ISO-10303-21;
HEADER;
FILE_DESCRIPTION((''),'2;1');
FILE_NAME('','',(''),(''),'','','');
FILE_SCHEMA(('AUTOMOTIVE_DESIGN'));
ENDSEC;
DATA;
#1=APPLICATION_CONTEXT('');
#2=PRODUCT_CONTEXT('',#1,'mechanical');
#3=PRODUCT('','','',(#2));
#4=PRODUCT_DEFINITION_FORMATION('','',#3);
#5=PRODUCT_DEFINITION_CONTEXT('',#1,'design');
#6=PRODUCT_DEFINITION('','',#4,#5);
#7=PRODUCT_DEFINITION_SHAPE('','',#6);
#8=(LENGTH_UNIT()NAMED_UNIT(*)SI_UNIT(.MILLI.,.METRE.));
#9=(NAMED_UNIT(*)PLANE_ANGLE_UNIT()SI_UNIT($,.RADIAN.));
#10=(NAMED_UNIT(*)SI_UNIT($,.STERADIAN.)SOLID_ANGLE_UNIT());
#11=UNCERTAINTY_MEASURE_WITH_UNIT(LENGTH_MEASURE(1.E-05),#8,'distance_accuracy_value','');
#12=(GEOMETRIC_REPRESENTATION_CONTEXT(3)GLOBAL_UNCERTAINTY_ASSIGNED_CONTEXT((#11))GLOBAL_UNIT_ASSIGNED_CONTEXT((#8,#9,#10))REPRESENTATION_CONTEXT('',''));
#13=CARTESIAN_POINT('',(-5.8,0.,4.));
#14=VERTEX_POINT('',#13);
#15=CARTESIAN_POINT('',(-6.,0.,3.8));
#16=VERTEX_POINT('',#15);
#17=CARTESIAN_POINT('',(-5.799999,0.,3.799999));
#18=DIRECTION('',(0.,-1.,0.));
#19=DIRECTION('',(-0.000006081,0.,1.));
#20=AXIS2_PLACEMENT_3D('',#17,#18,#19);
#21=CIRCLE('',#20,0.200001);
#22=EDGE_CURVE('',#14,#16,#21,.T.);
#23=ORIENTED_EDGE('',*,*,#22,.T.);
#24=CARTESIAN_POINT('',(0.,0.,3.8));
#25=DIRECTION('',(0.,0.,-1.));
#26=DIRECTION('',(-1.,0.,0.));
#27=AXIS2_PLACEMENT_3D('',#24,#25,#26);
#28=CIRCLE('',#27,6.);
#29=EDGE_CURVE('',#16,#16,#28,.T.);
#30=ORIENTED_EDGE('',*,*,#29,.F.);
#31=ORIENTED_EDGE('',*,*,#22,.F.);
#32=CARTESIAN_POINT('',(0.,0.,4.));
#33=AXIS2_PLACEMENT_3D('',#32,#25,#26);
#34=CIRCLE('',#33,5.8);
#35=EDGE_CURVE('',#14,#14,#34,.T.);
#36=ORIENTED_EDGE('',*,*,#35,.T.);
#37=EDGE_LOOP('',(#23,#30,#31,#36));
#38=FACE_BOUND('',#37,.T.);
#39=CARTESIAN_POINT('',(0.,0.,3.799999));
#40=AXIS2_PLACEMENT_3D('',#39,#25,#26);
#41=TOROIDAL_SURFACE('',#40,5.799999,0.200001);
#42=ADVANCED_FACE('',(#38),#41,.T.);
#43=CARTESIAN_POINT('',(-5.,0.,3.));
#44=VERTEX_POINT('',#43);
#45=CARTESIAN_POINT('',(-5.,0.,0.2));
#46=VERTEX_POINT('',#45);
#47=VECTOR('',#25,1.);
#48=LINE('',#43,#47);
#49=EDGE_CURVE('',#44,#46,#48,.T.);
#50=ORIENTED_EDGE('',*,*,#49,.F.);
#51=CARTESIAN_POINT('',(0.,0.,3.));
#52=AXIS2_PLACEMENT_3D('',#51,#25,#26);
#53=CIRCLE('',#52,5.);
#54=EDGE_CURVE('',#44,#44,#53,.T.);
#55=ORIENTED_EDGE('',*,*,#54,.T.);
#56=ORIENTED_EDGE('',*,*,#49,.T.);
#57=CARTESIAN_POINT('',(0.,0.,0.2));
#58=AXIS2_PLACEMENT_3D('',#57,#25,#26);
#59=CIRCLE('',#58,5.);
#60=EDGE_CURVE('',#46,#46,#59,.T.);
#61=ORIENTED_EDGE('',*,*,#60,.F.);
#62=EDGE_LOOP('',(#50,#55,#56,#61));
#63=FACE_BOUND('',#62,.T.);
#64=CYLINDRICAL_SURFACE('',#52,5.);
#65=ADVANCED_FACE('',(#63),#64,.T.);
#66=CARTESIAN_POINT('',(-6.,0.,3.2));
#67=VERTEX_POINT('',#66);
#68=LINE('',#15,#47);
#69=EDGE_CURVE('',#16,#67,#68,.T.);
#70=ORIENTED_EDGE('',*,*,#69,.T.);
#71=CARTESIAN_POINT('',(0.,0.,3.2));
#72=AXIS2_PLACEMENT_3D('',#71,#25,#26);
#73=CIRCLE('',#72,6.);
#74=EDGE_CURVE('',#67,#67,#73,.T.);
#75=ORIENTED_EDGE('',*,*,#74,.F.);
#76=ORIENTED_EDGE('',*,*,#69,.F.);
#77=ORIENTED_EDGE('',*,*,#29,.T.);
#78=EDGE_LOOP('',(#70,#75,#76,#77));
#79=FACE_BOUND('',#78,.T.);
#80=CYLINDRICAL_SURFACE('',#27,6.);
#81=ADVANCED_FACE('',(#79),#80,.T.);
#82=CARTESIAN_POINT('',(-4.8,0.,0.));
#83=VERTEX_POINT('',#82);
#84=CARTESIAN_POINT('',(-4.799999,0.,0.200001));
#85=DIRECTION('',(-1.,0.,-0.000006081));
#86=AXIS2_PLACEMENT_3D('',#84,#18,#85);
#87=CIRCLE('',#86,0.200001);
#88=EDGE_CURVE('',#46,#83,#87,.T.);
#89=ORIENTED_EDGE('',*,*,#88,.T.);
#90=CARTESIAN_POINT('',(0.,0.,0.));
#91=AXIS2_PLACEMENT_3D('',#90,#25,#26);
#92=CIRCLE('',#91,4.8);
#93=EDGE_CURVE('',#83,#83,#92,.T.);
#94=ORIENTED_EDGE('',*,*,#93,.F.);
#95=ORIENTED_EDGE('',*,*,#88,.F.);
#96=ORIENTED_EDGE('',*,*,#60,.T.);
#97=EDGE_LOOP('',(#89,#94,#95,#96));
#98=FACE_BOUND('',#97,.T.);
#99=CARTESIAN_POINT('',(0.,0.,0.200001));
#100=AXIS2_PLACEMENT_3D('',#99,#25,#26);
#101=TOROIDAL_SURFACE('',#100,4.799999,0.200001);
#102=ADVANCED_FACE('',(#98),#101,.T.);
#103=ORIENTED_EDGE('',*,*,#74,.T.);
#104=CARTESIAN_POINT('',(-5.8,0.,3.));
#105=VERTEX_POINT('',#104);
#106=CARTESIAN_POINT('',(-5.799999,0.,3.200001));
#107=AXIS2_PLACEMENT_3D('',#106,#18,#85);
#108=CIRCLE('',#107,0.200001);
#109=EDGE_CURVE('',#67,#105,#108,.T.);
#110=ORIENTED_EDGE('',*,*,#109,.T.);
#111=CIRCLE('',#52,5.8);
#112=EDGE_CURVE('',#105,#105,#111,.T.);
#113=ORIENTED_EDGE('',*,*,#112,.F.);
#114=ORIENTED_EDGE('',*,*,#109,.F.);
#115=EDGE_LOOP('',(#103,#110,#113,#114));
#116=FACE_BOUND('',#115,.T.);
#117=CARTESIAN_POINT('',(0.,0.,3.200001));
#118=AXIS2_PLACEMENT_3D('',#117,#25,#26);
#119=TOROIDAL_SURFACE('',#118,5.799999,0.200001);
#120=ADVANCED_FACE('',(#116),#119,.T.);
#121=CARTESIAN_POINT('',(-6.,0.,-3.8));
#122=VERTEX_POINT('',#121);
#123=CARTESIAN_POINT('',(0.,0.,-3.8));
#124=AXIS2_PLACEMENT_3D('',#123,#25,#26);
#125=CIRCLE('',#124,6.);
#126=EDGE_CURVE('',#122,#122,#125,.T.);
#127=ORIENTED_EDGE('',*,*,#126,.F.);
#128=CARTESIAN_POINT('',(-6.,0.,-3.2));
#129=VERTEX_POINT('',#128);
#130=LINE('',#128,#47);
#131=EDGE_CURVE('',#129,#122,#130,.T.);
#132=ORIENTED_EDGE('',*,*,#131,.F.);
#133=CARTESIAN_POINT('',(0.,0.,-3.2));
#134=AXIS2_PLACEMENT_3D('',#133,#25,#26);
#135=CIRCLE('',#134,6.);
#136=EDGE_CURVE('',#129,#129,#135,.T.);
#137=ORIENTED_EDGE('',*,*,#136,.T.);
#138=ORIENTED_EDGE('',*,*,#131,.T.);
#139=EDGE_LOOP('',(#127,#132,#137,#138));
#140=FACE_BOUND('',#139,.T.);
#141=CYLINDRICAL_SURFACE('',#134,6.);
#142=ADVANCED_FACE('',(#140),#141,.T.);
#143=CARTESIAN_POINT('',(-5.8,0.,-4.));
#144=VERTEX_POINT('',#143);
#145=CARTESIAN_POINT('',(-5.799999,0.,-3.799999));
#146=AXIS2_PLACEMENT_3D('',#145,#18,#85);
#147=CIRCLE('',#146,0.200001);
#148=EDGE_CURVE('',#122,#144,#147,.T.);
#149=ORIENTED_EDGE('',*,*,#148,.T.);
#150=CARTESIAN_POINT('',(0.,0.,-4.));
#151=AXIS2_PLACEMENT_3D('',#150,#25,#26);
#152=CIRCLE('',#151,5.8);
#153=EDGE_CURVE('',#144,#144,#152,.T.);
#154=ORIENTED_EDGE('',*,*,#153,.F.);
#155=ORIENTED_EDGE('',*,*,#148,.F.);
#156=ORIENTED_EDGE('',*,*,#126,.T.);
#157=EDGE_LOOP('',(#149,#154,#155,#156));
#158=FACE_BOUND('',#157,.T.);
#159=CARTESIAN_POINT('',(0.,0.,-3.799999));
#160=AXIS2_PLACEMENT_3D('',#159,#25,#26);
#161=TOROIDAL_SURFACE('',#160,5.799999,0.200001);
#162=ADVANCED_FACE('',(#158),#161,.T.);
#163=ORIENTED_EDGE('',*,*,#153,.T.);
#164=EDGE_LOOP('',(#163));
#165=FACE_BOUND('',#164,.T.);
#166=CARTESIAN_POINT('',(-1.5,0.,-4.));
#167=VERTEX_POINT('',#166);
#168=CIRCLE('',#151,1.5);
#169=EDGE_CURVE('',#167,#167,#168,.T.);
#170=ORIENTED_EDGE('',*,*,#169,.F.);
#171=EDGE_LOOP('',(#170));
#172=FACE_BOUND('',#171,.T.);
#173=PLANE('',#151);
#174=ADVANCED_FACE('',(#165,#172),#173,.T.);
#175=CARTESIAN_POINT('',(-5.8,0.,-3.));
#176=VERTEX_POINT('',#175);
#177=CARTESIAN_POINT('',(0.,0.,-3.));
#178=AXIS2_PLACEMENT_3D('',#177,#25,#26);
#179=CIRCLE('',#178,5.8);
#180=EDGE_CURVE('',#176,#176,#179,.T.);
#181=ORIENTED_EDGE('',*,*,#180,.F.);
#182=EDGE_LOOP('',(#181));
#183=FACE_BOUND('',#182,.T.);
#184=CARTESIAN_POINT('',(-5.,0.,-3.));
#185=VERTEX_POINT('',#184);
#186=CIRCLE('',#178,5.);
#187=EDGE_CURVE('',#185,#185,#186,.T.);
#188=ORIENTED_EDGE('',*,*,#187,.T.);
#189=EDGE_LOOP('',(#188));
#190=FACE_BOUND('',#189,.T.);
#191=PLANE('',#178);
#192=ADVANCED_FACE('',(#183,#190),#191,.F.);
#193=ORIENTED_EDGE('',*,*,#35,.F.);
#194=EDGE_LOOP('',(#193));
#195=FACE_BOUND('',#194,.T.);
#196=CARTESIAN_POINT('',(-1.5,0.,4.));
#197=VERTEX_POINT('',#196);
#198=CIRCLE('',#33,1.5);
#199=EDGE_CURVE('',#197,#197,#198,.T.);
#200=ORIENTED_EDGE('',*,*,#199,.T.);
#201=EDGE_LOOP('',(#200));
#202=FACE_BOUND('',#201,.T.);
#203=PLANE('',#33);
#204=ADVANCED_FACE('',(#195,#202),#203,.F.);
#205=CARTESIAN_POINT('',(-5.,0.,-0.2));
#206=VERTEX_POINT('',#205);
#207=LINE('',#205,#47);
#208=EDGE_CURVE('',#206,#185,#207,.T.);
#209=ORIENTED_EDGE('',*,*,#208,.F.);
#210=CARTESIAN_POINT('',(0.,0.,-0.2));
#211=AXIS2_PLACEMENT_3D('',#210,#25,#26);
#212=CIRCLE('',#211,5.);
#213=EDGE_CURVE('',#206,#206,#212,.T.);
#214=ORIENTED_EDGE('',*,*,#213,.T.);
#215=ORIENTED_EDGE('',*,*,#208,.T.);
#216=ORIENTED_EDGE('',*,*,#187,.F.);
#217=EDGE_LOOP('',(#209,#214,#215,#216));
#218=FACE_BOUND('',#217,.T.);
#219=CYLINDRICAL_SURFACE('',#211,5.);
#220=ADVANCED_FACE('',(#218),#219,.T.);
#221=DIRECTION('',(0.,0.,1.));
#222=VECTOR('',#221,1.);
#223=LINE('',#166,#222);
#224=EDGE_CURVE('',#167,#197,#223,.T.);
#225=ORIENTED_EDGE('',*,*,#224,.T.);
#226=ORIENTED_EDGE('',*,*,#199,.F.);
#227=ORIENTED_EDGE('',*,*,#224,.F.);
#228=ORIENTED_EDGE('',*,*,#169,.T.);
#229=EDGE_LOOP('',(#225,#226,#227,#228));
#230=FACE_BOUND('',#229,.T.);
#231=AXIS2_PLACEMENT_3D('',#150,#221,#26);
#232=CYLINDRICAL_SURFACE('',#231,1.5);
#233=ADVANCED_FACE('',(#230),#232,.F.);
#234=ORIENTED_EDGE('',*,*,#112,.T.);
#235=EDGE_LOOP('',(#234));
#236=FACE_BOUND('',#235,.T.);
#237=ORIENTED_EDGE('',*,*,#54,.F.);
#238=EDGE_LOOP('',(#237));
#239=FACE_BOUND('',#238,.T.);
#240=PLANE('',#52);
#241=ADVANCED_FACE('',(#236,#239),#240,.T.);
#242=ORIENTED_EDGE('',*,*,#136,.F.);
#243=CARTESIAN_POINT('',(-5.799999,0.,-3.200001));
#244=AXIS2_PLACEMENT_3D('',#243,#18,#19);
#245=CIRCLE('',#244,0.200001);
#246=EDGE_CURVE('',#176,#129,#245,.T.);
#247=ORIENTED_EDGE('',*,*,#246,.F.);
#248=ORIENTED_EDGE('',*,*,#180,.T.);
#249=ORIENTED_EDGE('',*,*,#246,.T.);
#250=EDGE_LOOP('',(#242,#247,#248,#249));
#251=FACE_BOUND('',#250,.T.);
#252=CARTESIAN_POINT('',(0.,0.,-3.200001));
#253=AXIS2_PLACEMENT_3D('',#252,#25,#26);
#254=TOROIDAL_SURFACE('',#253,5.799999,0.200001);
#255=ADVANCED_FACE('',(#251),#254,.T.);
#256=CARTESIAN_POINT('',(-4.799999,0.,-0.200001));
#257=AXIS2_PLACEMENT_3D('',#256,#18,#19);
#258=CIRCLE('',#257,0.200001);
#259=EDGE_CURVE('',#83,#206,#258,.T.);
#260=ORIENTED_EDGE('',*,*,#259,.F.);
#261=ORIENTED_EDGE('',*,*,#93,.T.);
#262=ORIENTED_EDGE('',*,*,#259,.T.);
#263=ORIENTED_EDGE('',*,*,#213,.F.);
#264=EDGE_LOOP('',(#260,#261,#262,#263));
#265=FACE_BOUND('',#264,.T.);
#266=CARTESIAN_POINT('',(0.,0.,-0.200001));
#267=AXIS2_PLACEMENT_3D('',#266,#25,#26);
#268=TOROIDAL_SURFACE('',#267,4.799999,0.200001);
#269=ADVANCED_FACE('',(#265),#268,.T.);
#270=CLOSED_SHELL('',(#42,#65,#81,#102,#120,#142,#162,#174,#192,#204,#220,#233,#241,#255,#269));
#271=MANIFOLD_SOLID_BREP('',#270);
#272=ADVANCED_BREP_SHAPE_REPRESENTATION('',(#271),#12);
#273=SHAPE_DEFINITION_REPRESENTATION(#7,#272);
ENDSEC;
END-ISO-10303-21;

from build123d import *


with BuildPart() as f1:
    # F0 (on Front) → F1 (revolve)
    with BuildSketch(Plane.XZ):
        with BuildLine():
            Line((-4.8, 0), (-1.5, 0))
            Line((-1.5, 0), (-1.5, 4))
            Line((-1.5, 4), (-5.8, 4))
            ThreePointArc((-5.8, 4), (-5.941421, 3.941421), (-6, 3.8))
            Line((-6, 3.8), (-6, 3.2))
            ThreePointArc((-6, 3.2), (-5.941421, 3.058579), (-5.8, 3))
            Line((-5.8, 3), (-5, 3))
            Line((-5, 3), (-5, 0.2))
            ThreePointArc((-5, 0.2), (-4.941421, 0.058579), (-4.8, 0))
        make_face()
        with BuildLine():
            Line((-1.5, -4), (-1.5, 0))
            Line((-1.5, 0), (-4.8, 0))
            ThreePointArc((-4.8, 0), (-4.941421, -0.058579), (-5, -0.2))
            Line((-5, -0.2), (-5, -3))
            Line((-5, -3), (-5.8, -3))
            ThreePointArc((-5.8, -3), (-5.941421, -3.058579), (-6, -3.2))
            Line((-6, -3.2), (-6, -3.8))
            ThreePointArc((-6, -3.8), (-5.941421, -3.941421), (-5.8, -4))
            Line((-5.8, -4), (-1.5, -4))
        make_face()
    revolve(axis=Axis((0, 0, -2), (0, 0, -1)))


solid = f1.part
